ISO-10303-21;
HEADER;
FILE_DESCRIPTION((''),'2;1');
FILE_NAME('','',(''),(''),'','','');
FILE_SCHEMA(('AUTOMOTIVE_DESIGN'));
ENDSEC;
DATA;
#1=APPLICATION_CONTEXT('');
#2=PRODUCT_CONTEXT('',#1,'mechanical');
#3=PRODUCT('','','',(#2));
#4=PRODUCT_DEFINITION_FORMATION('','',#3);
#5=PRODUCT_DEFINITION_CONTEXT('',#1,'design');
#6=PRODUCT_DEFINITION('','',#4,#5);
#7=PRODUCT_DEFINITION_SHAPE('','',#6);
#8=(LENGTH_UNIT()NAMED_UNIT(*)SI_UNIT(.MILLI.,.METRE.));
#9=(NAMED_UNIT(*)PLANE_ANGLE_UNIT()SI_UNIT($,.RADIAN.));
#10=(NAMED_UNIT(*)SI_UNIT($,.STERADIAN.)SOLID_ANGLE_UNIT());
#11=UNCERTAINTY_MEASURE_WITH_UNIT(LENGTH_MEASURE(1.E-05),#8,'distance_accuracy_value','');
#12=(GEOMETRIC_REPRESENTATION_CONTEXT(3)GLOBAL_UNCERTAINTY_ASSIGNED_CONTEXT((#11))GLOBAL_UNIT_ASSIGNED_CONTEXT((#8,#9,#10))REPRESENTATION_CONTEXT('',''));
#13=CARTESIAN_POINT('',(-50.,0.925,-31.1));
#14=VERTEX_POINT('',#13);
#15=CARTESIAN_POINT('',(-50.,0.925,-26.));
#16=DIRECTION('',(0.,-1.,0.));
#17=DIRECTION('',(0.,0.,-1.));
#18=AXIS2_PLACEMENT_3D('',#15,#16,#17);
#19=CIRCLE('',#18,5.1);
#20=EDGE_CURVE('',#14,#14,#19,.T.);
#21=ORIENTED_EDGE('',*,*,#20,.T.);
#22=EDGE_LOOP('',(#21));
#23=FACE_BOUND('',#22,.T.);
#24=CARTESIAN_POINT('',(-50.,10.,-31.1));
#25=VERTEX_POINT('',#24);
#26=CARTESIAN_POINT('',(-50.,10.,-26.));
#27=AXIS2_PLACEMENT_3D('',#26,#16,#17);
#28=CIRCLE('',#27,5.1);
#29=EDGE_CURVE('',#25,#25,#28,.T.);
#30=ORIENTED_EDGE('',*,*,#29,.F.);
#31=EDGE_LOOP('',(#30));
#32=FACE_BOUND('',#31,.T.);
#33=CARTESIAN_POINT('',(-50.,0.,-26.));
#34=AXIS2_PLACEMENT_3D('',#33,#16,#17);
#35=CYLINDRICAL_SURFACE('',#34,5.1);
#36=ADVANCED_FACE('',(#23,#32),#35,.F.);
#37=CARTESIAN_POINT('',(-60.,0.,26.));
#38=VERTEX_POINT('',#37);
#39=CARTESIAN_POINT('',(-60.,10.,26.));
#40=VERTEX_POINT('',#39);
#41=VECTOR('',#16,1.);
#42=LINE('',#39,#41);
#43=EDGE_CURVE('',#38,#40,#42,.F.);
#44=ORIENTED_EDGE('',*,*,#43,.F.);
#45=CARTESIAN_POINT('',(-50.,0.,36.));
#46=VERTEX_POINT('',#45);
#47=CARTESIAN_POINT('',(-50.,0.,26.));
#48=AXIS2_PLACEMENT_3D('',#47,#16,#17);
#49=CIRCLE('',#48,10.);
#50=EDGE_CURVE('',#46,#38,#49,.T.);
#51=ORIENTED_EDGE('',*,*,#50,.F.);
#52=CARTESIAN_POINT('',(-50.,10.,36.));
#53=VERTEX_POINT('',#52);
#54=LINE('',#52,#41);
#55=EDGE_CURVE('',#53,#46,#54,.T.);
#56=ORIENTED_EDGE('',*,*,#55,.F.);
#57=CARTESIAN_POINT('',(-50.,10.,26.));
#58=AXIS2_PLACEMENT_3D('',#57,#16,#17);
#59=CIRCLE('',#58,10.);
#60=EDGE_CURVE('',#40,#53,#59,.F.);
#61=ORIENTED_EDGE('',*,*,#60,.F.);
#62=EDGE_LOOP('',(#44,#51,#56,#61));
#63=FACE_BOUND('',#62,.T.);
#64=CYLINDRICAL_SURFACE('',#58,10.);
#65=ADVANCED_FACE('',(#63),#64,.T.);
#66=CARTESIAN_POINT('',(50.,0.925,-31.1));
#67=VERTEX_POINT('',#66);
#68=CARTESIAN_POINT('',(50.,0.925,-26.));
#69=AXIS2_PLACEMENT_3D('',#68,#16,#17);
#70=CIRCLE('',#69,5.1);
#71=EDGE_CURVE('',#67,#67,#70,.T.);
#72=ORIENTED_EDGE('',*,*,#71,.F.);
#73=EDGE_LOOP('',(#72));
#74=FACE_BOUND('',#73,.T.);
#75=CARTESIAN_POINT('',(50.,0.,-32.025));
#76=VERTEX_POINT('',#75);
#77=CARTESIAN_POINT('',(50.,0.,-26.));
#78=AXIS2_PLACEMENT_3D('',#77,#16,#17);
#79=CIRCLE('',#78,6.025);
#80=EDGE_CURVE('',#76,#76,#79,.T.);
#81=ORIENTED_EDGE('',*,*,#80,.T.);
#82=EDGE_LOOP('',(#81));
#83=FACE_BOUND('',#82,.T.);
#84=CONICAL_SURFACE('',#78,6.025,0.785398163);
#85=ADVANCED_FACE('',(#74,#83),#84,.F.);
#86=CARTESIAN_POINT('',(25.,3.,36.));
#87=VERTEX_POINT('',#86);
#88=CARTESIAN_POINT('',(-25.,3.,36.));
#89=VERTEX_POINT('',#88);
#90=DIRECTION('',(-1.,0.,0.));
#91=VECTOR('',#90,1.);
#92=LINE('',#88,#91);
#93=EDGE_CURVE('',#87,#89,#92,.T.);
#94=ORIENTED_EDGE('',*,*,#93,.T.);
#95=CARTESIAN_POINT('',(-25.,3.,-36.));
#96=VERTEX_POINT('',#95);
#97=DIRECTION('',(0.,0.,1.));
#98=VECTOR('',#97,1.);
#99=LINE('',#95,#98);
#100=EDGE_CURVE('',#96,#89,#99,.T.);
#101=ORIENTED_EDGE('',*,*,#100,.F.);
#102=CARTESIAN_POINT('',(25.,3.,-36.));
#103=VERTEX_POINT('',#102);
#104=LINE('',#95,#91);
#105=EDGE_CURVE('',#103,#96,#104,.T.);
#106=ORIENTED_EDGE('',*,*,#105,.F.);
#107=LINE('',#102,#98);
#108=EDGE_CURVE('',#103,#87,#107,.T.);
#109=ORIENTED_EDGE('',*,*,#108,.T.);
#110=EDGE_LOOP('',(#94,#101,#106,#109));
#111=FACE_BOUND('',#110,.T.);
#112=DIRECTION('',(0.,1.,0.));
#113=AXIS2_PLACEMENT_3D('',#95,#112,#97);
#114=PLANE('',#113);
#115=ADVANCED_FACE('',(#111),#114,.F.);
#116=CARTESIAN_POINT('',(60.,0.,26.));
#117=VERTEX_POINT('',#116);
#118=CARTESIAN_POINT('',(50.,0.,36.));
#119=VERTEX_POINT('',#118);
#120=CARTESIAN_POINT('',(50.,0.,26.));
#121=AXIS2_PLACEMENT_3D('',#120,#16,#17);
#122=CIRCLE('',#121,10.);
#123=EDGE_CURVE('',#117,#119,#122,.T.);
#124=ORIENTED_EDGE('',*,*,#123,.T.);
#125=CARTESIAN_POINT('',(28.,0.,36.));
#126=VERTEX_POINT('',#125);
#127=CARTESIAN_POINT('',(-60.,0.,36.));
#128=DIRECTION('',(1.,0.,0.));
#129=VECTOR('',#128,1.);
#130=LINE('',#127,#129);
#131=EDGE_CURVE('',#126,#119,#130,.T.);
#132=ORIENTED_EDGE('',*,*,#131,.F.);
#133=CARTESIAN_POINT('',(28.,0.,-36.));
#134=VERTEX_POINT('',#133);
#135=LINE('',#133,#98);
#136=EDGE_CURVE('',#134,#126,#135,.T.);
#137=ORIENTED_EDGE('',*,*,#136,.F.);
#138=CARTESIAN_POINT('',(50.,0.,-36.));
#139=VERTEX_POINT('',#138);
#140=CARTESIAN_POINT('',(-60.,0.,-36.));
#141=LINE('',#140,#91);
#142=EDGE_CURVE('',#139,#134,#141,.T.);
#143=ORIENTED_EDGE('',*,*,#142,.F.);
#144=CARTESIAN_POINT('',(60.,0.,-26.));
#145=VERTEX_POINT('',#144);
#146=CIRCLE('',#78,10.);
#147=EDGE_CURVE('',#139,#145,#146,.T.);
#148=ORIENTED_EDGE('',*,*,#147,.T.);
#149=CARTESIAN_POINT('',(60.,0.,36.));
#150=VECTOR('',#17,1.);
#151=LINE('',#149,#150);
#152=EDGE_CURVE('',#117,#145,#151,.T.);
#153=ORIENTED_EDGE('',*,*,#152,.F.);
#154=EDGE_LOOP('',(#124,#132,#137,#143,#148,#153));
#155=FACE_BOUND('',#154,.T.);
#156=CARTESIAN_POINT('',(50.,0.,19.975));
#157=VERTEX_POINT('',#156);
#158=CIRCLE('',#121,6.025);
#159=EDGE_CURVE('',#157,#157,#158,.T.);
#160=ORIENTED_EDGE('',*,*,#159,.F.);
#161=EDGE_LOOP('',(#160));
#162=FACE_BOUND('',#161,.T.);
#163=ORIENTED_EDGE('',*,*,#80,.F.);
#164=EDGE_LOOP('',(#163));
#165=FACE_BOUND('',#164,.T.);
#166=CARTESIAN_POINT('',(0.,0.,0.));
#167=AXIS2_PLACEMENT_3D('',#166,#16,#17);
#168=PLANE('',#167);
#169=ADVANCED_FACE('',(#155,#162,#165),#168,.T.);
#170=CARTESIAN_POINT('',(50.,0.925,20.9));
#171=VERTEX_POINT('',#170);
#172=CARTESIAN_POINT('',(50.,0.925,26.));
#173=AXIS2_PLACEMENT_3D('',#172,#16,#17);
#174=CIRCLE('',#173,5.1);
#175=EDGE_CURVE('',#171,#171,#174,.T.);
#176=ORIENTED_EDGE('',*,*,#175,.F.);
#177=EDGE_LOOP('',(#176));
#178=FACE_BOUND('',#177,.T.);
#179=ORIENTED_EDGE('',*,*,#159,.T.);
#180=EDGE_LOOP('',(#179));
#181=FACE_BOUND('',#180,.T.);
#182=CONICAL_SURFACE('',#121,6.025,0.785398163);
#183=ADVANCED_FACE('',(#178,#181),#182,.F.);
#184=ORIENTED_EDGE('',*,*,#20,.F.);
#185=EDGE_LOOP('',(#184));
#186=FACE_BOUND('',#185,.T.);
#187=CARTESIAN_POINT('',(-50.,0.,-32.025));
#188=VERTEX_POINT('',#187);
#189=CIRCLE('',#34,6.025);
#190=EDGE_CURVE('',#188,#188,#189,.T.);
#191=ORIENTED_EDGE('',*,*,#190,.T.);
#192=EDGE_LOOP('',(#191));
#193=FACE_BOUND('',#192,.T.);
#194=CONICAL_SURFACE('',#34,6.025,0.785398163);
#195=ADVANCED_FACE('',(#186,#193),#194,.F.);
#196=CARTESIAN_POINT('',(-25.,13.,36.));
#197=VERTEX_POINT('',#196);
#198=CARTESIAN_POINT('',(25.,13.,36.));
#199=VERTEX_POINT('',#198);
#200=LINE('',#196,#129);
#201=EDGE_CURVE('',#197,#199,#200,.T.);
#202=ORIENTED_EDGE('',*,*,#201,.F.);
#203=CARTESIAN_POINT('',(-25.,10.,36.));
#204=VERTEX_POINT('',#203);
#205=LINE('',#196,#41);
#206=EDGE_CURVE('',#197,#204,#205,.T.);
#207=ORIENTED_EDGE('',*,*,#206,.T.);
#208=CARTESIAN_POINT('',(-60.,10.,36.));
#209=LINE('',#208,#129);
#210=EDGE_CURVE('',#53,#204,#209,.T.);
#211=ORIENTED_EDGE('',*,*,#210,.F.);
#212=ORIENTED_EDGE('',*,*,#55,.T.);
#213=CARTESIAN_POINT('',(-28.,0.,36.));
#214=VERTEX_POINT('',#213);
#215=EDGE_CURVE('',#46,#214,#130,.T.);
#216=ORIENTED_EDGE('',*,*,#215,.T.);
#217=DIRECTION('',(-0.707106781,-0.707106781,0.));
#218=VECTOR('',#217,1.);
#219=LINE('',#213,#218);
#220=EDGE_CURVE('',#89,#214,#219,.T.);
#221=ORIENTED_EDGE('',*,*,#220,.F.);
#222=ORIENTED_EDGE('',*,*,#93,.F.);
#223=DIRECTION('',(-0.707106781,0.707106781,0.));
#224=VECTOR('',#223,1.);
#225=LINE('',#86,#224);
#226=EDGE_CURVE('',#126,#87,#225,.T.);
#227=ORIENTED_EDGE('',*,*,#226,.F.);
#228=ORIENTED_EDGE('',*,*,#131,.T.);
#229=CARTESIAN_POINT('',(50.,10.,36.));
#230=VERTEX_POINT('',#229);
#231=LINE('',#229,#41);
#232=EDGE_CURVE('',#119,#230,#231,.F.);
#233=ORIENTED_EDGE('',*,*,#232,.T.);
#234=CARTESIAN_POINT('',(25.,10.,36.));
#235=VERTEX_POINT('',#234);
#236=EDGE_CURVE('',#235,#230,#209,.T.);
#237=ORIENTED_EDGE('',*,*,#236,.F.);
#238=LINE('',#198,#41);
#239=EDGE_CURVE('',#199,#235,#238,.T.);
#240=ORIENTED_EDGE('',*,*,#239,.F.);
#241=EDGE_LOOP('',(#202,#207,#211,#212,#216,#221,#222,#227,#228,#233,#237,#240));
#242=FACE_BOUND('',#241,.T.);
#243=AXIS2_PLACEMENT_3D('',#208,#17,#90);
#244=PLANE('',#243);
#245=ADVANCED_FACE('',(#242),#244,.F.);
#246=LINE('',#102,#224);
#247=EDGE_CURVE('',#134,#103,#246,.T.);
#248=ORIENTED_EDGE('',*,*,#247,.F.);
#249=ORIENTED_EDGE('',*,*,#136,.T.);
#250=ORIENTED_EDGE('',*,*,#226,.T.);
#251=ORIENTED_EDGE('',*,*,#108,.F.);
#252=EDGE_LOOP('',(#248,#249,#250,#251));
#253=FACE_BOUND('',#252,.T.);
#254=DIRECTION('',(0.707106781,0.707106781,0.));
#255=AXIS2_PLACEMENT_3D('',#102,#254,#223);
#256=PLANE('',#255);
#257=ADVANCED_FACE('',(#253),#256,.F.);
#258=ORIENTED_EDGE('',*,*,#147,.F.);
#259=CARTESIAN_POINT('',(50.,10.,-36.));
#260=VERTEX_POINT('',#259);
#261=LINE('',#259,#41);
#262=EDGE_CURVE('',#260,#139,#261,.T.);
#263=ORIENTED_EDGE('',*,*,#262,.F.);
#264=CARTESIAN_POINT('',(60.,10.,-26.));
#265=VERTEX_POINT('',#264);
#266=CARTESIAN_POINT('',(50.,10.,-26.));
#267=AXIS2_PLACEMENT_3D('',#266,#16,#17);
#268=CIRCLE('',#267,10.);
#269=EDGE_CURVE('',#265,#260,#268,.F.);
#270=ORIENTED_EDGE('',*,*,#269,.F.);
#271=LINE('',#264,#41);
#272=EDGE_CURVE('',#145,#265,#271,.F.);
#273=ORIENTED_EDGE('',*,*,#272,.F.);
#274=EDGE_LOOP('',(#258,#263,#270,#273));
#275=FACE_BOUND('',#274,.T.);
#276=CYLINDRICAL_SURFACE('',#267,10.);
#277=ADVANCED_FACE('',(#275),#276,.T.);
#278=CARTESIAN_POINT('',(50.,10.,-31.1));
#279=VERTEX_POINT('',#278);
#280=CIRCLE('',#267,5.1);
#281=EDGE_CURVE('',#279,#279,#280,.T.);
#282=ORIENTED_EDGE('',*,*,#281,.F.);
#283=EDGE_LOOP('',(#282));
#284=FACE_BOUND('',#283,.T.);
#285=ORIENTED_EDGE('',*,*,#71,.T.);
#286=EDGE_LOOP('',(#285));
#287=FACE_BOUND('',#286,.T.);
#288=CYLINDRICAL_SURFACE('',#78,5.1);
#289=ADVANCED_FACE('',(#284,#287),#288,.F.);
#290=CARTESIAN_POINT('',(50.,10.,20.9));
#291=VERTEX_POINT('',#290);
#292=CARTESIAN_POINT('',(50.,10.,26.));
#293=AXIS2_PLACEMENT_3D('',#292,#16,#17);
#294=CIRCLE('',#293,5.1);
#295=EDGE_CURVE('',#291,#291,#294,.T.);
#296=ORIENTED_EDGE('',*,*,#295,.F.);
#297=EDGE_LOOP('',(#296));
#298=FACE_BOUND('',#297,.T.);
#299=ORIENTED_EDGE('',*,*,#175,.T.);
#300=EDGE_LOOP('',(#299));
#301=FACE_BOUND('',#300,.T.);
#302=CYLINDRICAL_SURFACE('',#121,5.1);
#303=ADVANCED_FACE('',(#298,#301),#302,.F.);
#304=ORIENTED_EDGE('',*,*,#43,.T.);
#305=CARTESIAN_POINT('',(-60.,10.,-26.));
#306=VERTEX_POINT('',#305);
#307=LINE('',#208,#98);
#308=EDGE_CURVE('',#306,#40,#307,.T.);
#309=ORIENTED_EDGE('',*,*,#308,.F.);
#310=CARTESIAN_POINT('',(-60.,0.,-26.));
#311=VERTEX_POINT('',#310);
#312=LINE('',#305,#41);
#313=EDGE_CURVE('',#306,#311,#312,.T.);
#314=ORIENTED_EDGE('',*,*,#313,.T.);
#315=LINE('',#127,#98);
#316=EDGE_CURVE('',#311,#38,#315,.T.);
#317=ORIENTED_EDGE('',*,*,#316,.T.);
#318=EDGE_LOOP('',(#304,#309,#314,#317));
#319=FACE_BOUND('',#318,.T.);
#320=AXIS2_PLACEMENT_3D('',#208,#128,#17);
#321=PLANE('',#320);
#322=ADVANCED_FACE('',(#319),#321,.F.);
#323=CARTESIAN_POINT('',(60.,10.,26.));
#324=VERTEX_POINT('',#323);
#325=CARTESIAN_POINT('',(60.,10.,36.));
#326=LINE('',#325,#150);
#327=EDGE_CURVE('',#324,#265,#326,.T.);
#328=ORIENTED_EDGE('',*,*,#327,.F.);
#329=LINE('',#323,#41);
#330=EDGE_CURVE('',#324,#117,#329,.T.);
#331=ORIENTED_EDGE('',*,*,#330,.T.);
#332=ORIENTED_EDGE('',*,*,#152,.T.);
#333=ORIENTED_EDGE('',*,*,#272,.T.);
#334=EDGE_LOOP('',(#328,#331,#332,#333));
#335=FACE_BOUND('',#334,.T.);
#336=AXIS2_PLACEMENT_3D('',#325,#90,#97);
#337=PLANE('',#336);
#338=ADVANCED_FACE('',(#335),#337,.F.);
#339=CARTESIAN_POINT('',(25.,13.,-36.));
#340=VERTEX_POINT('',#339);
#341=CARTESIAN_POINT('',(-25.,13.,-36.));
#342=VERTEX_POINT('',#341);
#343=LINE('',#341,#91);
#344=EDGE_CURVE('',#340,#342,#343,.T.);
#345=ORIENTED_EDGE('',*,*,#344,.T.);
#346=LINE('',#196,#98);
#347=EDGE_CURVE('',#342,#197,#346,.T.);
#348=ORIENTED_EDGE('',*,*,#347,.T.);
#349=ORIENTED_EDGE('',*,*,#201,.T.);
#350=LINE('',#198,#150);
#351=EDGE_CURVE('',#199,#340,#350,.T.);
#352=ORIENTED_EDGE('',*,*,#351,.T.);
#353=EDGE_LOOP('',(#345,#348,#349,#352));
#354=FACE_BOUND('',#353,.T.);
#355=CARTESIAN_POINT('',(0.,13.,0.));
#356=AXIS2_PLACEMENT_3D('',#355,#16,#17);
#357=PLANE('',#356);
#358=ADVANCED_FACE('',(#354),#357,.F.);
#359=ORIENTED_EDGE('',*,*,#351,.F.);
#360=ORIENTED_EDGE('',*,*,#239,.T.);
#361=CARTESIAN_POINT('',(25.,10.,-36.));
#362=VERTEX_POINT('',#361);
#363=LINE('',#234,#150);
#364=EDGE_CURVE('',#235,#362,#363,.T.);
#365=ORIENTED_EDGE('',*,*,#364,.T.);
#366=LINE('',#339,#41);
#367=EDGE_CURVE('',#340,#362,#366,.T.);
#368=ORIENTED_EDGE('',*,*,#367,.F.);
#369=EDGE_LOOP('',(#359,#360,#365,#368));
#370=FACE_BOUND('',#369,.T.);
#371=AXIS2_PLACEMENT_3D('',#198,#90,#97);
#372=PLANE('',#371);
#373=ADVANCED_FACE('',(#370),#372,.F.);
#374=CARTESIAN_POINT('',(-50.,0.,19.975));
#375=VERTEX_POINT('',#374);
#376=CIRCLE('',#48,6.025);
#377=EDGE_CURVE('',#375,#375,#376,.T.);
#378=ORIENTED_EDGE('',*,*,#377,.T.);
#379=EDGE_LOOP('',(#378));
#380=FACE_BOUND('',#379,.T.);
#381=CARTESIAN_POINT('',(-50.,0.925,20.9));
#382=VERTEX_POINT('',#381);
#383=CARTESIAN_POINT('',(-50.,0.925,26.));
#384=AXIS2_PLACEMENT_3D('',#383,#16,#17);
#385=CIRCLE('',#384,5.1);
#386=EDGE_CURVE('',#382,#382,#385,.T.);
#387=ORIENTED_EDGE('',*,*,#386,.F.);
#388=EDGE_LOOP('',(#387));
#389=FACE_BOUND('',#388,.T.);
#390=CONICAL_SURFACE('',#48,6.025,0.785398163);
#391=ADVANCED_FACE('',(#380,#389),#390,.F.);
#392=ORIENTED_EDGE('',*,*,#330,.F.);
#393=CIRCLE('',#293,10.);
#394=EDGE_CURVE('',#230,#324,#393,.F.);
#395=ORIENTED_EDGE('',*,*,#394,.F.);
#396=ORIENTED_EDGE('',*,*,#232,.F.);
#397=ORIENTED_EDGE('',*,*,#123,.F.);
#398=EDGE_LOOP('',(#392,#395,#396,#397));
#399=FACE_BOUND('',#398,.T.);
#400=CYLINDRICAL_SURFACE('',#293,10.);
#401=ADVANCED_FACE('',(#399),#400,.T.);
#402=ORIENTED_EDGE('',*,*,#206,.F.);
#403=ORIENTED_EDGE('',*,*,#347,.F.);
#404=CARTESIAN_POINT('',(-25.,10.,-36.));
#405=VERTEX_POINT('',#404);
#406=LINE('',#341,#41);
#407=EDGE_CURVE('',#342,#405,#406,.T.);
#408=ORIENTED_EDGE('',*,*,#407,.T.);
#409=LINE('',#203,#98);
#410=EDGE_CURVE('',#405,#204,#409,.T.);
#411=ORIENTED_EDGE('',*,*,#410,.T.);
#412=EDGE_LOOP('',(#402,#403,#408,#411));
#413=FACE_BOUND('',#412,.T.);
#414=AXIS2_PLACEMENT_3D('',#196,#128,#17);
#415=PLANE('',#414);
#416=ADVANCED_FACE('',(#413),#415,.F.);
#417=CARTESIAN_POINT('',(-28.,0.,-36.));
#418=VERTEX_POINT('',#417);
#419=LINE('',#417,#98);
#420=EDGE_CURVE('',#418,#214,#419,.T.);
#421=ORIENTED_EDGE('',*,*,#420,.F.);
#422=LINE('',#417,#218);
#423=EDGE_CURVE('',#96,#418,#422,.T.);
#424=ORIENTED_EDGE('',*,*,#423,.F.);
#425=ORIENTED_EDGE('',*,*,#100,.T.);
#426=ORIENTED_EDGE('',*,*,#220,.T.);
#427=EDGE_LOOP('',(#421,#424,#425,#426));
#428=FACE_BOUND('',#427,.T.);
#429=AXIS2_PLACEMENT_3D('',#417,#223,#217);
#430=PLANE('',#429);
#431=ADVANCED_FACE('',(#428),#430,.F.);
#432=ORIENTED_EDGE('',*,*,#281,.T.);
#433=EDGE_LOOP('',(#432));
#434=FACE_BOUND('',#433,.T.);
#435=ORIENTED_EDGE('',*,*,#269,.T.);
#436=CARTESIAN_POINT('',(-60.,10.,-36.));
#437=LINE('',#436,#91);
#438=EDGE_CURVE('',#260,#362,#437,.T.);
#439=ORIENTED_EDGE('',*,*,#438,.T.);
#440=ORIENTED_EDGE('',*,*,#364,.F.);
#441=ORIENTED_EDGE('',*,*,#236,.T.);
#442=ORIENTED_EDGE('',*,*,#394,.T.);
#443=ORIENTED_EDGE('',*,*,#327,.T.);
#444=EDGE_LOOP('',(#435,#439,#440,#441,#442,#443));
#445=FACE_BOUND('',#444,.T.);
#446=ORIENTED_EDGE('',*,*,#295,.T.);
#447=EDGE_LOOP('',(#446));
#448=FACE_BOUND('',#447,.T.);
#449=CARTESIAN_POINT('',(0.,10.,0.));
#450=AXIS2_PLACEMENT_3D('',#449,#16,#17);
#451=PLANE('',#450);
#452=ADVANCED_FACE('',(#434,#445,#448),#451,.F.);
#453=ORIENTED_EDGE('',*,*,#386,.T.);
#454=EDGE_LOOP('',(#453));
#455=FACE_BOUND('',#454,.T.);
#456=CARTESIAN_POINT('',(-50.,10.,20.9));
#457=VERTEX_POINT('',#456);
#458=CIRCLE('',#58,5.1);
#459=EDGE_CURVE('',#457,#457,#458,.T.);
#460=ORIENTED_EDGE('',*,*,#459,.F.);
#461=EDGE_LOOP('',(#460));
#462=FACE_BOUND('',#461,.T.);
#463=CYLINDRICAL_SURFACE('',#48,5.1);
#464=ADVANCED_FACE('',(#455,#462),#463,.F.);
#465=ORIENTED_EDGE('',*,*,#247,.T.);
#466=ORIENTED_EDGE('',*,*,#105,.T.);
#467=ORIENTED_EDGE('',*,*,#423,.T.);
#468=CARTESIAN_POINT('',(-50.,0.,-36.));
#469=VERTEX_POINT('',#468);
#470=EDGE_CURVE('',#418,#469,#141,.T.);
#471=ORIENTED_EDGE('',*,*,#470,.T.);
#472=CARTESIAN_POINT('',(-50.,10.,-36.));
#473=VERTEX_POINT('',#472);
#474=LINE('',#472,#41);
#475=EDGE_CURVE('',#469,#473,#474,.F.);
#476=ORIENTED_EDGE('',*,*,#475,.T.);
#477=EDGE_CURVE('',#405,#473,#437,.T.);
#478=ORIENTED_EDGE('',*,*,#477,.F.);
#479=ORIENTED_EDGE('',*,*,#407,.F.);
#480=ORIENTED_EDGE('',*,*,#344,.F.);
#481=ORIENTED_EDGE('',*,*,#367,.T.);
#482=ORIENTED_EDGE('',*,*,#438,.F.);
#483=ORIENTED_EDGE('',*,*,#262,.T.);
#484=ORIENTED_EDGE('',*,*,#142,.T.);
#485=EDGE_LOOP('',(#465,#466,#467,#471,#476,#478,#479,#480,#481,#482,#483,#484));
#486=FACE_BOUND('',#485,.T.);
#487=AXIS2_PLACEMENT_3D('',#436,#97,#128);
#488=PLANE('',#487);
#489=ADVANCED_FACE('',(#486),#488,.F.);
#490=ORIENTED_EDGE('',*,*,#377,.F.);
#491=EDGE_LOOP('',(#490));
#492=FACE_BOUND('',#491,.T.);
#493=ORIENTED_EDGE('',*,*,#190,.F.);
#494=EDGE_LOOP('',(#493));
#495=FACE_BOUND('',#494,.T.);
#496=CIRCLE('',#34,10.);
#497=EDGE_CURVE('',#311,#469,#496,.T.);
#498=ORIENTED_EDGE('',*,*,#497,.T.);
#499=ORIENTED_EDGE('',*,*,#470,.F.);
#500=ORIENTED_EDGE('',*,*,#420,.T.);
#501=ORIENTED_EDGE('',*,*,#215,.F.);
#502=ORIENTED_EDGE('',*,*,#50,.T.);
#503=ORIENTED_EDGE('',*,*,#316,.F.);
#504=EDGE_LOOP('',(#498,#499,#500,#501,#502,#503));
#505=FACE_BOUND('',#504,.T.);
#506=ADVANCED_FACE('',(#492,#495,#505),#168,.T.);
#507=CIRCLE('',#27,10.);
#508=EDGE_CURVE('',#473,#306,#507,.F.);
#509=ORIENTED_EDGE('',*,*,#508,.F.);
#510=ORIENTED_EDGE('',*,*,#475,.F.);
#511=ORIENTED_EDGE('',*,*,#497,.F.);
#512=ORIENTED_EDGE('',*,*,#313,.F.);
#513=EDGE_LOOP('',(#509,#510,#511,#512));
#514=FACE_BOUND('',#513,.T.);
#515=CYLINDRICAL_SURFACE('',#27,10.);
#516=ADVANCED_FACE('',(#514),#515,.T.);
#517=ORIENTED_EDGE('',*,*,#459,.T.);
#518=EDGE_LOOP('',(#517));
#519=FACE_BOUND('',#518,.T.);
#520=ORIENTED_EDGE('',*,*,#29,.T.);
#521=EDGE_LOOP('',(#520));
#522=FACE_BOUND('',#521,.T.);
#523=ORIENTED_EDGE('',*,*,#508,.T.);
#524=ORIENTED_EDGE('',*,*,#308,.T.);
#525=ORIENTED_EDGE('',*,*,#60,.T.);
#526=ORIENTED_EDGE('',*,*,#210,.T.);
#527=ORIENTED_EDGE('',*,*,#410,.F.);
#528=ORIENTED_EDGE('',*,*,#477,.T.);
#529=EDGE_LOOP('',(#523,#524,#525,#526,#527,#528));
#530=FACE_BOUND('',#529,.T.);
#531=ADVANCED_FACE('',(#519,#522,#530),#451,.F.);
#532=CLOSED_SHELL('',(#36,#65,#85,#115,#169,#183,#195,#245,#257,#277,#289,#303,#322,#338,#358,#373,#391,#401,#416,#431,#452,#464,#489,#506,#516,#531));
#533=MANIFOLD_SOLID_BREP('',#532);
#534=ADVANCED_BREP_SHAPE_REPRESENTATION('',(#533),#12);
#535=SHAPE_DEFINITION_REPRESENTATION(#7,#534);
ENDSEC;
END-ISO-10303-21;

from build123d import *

# Parameters (mm, degrees)
SKETCH1_W                    = 120
SKETCH1_H                    = 72
BOSS_EXTRUDE1_DEPTH          = 10
FILLET1_R                    = 10
M12_TAPPED_HOLE1_D           = 10.2
M12_TAPPED_HOLE1_CSINK_D     = 12.05
M12_TAPPED_HOLE1_CSINK_ANGLE = 90
BOSS_EXTRUDE2_START          = 10
SKETCH4_W                    = 50
SKETCH4_H                    = 72
BOSS_EXTRUDE2_DEPTH          = 3
CUT_EXTRUDE1_DEPTH           = 72.168813395
CUT_EXTRUDE1_DEPTH_BACK      = 72.168813395


with BuildPart() as part:
    # Sketch1 → Boss-Extrude1 (new body)
    with BuildSketch(Plane(origin=(0, 0, 0), x_dir=(1, 0, 0), z_dir=(0, 1, 0))):
        Rectangle(SKETCH1_W, SKETCH1_H)
    extrude(amount=BOSS_EXTRUDE1_DEPTH)

    # Fillet1
    fillet1_edges = [part.edges().sort_by_distance(p)[0] for p in [
        (60, 5, 36),
        (-60, 5, 36),
        (-60, 5, -36),
        (60, 5, -36),
    ]]
    fillet(fillet1_edges, radius=FILLET1_R)

    # M12 Tapped Hole1 (through all)
    with Locations(Plane.XZ):
        with Locations((-50, -26), (50, -26), (50, 26), (-50, 26)):
            CounterSinkHole(M12_TAPPED_HOLE1_D / 2, M12_TAPPED_HOLE1_CSINK_D / 2, counter_sink_angle=M12_TAPPED_HOLE1_CSINK_ANGLE)

    # Sketch4 → Boss-Extrude2 (add)
    with BuildSketch(Plane(origin=(0, 0, 0), x_dir=(1, 0, 0), z_dir=(0, 1, 0)).offset(BOSS_EXTRUDE2_START)):
        Rectangle(SKETCH4_W, SKETCH4_H)
    extrude(amount=BOSS_EXTRUDE2_DEPTH)

    # Sketch5 → Cut-Extrude1 (cut, two sides: drawn at the far end of the back side and taken through both)
    with BuildSketch(Plane.XY.offset(-CUT_EXTRUDE1_DEPTH_BACK)):
        Polygon((-28, 0), (-25, 3), (25, 3), (28, 0), align=None)
    extrude(amount=CUT_EXTRUDE1_DEPTH + CUT_EXTRUDE1_DEPTH_BACK, mode=Mode.SUBTRACT)


solid = part.part
